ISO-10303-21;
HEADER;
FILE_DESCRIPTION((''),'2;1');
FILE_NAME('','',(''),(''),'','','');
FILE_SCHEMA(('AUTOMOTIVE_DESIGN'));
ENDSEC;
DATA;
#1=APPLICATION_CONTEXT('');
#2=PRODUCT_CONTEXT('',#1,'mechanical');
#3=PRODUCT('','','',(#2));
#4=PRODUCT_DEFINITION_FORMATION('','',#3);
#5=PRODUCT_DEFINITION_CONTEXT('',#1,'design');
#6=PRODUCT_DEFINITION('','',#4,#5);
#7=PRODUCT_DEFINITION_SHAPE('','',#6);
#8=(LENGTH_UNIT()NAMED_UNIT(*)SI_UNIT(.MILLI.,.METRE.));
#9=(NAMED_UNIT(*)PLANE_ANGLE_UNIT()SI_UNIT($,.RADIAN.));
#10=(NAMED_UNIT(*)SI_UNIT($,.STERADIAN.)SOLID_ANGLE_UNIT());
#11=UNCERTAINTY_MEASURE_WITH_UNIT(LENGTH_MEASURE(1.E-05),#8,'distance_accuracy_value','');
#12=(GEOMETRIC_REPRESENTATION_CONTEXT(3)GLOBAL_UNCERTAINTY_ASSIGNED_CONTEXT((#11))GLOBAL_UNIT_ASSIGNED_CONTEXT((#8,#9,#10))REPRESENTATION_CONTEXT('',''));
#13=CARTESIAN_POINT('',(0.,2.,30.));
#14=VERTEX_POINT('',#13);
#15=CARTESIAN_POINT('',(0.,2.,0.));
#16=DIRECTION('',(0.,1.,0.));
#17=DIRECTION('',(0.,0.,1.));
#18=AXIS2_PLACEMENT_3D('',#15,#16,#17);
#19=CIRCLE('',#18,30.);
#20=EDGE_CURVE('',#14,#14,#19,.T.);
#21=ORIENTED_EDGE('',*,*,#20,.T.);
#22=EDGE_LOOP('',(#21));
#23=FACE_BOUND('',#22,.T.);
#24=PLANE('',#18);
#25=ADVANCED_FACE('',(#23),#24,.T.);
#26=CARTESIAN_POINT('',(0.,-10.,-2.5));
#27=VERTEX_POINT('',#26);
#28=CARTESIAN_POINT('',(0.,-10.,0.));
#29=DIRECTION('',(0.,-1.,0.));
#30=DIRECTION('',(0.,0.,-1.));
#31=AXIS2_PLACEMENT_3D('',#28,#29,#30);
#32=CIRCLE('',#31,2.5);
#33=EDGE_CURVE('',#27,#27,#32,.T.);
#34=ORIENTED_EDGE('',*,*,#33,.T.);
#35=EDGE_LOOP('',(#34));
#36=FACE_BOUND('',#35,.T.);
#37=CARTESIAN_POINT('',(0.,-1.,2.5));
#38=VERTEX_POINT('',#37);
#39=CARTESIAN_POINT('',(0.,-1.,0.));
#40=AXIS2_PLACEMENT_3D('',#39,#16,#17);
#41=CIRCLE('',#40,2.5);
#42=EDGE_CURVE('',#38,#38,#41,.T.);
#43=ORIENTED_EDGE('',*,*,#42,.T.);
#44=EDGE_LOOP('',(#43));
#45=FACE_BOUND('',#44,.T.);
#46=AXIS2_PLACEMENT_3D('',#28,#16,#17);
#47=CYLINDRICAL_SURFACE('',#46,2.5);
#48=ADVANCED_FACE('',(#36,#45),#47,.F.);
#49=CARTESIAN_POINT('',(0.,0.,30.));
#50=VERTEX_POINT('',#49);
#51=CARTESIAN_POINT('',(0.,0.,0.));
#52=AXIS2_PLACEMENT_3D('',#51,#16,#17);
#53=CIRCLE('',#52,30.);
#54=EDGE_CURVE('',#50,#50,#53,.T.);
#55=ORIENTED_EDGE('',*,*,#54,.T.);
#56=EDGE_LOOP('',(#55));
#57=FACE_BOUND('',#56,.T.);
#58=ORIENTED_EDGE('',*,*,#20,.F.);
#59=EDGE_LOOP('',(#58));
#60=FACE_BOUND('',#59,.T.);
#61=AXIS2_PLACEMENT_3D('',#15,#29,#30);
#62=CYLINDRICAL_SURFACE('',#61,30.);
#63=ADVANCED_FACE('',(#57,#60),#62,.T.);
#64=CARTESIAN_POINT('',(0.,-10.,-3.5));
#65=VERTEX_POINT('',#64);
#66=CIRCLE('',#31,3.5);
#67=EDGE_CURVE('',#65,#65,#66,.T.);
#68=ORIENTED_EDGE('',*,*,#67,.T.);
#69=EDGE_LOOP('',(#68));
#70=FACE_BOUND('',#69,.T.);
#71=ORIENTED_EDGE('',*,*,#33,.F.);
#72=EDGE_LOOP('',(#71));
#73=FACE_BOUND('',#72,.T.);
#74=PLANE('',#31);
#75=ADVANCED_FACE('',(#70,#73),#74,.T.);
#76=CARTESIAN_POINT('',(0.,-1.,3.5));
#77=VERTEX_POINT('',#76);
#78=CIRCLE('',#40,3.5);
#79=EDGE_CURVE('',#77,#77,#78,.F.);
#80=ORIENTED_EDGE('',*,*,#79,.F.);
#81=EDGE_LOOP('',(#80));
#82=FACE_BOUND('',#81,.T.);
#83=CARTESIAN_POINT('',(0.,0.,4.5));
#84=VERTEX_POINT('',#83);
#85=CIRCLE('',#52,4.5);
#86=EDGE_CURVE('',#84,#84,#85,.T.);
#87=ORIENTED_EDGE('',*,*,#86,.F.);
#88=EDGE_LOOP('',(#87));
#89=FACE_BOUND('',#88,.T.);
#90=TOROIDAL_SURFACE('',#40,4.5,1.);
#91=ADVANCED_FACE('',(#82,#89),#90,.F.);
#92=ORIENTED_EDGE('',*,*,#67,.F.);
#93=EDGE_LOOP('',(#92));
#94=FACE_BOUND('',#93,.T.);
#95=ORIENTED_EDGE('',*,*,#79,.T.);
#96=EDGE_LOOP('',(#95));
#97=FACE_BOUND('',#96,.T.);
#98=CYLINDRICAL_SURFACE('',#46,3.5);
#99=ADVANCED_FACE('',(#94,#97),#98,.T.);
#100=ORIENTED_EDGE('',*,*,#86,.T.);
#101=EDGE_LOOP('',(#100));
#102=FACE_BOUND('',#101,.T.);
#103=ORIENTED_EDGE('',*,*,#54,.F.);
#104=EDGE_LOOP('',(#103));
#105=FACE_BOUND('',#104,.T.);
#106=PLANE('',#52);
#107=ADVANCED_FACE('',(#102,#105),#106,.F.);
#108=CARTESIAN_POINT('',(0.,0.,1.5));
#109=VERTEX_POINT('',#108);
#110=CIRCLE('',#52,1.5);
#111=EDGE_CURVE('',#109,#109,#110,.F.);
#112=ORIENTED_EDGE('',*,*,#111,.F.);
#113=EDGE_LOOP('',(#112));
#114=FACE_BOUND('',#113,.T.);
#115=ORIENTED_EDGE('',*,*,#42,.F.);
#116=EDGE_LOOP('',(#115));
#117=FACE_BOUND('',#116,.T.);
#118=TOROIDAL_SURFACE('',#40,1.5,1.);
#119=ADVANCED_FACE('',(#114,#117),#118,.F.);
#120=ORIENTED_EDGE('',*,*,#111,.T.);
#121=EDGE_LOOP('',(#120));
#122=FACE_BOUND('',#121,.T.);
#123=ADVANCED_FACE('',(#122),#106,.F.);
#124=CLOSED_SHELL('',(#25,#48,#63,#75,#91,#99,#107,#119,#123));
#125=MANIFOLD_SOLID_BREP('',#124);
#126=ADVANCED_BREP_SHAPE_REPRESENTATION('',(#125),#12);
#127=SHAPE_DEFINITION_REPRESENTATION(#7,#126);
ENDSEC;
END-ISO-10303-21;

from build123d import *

# Parameters (mm, degrees)
SKETCH1_R           = 30
BOSS_EXTRUDE1_DEPTH = 2
SKETCH2_R           = 3.5
SKETCH2_R_2         = 2.5
BOSS_EXTRUDE2_DEPTH = 10
FILLET1_R           = 1
FILLET2_R           = 1


with BuildPart() as part:
    # Sketch1 → Boss-Extrude1 (new body)
    with BuildSketch(Plane(origin=(0, 0, 0), x_dir=(1, 0, 0), z_dir=(0, 1, 0))):
        with Locations(Location((0, 0, 0), (0, 0, 270))):
            Circle(SKETCH1_R)
    extrude(amount=BOSS_EXTRUDE1_DEPTH)

    # Sketch2 → Boss-Extrude2 (add)
    with BuildSketch(Plane.XZ):
        with Locations(Location((0, 0, 0), (0, 0, 90))):
            Circle(SKETCH2_R)
        with Locations(Location((0, 0, 0), (0, 0, 270))):
            Circle(SKETCH2_R_2, mode=Mode.SUBTRACT)
    extrude(amount=BOSS_EXTRUDE2_DEPTH)

    # Fillet1
    fillet1_edges = [part.edges().sort_by_distance(p)[0] for p in [
        (0, 0, -3.5),
    ]]
    fillet(fillet1_edges, radius=FILLET1_R)

    # Fillet2
    fillet2_edges = [part.edges().sort_by_distance(p)[0] for p in [
        (0, 0, 2.5),
    ]]
    fillet(fillet2_edges, radius=FILLET2_R)


solid = part.part
